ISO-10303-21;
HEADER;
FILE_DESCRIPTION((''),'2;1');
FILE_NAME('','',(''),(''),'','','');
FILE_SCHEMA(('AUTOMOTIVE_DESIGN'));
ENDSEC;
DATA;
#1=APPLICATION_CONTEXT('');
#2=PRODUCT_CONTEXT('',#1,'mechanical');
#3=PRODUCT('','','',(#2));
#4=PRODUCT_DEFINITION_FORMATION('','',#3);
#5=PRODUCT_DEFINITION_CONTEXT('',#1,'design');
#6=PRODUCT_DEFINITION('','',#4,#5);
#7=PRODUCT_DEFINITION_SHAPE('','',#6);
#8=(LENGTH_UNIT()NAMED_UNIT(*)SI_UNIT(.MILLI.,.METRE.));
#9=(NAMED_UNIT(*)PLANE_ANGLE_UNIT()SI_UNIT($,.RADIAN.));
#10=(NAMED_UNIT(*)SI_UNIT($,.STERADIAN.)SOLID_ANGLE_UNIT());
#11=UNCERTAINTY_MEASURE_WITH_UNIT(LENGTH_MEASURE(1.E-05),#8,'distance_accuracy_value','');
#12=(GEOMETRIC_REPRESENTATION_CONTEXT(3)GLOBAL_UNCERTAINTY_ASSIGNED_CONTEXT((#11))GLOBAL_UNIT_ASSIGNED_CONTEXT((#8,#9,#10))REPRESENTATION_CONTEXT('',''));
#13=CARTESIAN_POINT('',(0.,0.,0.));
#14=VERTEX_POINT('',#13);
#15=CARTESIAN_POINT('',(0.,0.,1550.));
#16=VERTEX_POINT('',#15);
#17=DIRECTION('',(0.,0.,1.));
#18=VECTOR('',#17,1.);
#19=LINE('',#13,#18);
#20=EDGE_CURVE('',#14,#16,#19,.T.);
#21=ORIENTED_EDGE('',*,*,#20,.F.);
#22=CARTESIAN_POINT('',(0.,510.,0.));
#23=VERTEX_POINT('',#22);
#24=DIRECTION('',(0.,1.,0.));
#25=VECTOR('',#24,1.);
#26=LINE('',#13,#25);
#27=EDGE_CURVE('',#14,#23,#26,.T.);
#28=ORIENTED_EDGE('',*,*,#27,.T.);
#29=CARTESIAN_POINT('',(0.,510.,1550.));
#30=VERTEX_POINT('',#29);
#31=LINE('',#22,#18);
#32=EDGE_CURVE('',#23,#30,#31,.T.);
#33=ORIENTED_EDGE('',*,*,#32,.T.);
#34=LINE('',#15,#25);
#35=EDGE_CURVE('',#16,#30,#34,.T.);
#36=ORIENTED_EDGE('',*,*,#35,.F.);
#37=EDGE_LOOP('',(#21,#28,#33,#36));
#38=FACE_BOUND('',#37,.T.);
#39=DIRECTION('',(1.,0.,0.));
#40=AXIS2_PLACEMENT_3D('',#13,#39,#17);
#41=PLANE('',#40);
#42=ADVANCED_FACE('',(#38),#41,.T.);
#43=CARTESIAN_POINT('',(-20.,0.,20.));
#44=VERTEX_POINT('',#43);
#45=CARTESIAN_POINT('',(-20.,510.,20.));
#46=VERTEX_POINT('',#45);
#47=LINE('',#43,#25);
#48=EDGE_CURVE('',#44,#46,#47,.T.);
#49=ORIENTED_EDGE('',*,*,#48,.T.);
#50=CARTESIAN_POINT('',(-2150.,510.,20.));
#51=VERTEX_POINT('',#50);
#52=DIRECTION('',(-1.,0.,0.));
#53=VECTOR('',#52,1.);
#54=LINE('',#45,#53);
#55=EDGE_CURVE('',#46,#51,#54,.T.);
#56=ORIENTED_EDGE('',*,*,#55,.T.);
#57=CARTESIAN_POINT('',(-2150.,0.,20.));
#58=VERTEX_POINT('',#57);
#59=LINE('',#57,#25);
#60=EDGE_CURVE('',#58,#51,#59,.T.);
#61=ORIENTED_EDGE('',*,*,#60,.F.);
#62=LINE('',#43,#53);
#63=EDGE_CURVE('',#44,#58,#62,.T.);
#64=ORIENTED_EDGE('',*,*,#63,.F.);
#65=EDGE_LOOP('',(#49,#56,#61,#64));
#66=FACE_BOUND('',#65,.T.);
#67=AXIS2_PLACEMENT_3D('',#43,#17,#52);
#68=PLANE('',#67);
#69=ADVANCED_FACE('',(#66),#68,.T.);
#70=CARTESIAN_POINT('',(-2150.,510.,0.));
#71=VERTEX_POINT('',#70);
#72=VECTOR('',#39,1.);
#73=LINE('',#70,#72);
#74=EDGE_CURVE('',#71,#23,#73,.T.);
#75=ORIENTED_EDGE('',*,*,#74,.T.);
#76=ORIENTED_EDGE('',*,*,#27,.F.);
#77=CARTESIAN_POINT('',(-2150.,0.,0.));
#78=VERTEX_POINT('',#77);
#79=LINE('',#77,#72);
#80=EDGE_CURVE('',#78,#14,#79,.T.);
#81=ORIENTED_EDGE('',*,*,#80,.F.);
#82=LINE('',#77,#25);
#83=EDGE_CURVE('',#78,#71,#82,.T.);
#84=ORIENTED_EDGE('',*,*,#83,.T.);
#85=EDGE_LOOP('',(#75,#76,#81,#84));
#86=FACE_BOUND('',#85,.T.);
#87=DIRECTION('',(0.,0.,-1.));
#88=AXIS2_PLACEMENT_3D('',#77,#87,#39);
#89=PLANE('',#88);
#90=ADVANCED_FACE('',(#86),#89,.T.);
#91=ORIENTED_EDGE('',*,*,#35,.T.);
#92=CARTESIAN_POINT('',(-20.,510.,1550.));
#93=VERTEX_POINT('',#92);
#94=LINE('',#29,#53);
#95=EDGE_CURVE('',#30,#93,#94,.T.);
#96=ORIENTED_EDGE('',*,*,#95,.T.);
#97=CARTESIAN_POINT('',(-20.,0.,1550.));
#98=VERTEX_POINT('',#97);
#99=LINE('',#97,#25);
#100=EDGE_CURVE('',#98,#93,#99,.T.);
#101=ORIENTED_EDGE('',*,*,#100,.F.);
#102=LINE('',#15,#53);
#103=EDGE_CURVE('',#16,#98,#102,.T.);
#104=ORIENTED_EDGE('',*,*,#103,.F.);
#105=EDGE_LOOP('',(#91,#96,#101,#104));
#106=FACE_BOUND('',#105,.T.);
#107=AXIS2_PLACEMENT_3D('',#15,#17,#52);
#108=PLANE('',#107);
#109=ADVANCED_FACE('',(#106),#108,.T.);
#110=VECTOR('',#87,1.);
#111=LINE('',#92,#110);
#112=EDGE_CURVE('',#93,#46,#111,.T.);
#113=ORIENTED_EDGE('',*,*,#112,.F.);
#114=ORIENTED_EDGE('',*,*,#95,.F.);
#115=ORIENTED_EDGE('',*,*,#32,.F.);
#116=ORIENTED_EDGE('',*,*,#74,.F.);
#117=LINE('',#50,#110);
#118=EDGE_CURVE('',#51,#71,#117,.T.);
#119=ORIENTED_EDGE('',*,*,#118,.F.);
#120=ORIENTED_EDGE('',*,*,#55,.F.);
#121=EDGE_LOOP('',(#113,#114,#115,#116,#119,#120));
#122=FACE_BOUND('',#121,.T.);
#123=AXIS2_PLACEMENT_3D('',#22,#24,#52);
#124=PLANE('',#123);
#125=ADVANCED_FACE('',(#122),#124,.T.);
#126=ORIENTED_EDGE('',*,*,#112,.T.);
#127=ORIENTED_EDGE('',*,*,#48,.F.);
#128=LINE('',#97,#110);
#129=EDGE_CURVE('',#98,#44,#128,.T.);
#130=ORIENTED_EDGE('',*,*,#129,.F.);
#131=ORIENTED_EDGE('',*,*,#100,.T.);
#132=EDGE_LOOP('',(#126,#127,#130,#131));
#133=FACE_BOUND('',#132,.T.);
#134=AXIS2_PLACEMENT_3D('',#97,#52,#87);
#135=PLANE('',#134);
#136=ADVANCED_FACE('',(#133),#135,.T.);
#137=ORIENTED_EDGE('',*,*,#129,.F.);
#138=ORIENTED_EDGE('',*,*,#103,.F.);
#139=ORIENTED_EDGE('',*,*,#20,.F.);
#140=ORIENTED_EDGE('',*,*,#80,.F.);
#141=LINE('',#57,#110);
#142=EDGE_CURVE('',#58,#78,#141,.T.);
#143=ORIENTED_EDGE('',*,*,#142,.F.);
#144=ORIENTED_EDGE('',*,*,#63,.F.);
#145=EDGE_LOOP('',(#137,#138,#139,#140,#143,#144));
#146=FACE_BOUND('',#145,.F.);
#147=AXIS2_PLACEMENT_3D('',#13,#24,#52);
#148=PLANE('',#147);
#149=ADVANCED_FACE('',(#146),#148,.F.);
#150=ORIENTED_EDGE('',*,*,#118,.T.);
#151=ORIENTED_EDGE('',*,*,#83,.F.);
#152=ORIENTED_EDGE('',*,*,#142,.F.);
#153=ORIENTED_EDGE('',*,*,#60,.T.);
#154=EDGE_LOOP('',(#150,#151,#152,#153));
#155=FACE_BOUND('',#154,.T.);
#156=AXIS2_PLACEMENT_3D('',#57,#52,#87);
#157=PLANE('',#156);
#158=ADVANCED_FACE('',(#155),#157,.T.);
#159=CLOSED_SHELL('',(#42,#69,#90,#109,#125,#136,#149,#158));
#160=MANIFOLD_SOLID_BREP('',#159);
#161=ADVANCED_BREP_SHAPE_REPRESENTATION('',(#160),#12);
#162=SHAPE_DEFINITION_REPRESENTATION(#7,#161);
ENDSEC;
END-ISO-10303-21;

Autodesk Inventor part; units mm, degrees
ref_plane "YZ Plane" through (0, 0, 0) normal (1, 0, 0) x (0, 1, 0)
ref_plane "XZ Plane" through (0, 0, 0) normal (0, 1, 0) x (-1, 0, 0)
ref_plane "XY Plane" through (0, 0, 0) normal (0, 0, 1) x (1, 0, 0)
sketch "Sketch1" plane through (0, 0, 0) normal (0, 1, 0) x (-1, 0, 0)
  line L0 (2150, 0) -> (0, 0)
  line L1 (0, 0) -> (0, 1550)
  line L2 (0, 1550) -> (20, 1550)
  line L3 (20, 1550) -> (20, 20)
  line L4 (20, 20) -> (2150, 20)
  line L5 (2150, 20) -> (2150, 0)
  dimension "d0" = 2150
  dimension "d1" = 1550
  dimension "d2" = 20
extrude "Extrusion1" add sketch "Sketch1" along normal blind 510
properties part number "Piastrelle cucina"
